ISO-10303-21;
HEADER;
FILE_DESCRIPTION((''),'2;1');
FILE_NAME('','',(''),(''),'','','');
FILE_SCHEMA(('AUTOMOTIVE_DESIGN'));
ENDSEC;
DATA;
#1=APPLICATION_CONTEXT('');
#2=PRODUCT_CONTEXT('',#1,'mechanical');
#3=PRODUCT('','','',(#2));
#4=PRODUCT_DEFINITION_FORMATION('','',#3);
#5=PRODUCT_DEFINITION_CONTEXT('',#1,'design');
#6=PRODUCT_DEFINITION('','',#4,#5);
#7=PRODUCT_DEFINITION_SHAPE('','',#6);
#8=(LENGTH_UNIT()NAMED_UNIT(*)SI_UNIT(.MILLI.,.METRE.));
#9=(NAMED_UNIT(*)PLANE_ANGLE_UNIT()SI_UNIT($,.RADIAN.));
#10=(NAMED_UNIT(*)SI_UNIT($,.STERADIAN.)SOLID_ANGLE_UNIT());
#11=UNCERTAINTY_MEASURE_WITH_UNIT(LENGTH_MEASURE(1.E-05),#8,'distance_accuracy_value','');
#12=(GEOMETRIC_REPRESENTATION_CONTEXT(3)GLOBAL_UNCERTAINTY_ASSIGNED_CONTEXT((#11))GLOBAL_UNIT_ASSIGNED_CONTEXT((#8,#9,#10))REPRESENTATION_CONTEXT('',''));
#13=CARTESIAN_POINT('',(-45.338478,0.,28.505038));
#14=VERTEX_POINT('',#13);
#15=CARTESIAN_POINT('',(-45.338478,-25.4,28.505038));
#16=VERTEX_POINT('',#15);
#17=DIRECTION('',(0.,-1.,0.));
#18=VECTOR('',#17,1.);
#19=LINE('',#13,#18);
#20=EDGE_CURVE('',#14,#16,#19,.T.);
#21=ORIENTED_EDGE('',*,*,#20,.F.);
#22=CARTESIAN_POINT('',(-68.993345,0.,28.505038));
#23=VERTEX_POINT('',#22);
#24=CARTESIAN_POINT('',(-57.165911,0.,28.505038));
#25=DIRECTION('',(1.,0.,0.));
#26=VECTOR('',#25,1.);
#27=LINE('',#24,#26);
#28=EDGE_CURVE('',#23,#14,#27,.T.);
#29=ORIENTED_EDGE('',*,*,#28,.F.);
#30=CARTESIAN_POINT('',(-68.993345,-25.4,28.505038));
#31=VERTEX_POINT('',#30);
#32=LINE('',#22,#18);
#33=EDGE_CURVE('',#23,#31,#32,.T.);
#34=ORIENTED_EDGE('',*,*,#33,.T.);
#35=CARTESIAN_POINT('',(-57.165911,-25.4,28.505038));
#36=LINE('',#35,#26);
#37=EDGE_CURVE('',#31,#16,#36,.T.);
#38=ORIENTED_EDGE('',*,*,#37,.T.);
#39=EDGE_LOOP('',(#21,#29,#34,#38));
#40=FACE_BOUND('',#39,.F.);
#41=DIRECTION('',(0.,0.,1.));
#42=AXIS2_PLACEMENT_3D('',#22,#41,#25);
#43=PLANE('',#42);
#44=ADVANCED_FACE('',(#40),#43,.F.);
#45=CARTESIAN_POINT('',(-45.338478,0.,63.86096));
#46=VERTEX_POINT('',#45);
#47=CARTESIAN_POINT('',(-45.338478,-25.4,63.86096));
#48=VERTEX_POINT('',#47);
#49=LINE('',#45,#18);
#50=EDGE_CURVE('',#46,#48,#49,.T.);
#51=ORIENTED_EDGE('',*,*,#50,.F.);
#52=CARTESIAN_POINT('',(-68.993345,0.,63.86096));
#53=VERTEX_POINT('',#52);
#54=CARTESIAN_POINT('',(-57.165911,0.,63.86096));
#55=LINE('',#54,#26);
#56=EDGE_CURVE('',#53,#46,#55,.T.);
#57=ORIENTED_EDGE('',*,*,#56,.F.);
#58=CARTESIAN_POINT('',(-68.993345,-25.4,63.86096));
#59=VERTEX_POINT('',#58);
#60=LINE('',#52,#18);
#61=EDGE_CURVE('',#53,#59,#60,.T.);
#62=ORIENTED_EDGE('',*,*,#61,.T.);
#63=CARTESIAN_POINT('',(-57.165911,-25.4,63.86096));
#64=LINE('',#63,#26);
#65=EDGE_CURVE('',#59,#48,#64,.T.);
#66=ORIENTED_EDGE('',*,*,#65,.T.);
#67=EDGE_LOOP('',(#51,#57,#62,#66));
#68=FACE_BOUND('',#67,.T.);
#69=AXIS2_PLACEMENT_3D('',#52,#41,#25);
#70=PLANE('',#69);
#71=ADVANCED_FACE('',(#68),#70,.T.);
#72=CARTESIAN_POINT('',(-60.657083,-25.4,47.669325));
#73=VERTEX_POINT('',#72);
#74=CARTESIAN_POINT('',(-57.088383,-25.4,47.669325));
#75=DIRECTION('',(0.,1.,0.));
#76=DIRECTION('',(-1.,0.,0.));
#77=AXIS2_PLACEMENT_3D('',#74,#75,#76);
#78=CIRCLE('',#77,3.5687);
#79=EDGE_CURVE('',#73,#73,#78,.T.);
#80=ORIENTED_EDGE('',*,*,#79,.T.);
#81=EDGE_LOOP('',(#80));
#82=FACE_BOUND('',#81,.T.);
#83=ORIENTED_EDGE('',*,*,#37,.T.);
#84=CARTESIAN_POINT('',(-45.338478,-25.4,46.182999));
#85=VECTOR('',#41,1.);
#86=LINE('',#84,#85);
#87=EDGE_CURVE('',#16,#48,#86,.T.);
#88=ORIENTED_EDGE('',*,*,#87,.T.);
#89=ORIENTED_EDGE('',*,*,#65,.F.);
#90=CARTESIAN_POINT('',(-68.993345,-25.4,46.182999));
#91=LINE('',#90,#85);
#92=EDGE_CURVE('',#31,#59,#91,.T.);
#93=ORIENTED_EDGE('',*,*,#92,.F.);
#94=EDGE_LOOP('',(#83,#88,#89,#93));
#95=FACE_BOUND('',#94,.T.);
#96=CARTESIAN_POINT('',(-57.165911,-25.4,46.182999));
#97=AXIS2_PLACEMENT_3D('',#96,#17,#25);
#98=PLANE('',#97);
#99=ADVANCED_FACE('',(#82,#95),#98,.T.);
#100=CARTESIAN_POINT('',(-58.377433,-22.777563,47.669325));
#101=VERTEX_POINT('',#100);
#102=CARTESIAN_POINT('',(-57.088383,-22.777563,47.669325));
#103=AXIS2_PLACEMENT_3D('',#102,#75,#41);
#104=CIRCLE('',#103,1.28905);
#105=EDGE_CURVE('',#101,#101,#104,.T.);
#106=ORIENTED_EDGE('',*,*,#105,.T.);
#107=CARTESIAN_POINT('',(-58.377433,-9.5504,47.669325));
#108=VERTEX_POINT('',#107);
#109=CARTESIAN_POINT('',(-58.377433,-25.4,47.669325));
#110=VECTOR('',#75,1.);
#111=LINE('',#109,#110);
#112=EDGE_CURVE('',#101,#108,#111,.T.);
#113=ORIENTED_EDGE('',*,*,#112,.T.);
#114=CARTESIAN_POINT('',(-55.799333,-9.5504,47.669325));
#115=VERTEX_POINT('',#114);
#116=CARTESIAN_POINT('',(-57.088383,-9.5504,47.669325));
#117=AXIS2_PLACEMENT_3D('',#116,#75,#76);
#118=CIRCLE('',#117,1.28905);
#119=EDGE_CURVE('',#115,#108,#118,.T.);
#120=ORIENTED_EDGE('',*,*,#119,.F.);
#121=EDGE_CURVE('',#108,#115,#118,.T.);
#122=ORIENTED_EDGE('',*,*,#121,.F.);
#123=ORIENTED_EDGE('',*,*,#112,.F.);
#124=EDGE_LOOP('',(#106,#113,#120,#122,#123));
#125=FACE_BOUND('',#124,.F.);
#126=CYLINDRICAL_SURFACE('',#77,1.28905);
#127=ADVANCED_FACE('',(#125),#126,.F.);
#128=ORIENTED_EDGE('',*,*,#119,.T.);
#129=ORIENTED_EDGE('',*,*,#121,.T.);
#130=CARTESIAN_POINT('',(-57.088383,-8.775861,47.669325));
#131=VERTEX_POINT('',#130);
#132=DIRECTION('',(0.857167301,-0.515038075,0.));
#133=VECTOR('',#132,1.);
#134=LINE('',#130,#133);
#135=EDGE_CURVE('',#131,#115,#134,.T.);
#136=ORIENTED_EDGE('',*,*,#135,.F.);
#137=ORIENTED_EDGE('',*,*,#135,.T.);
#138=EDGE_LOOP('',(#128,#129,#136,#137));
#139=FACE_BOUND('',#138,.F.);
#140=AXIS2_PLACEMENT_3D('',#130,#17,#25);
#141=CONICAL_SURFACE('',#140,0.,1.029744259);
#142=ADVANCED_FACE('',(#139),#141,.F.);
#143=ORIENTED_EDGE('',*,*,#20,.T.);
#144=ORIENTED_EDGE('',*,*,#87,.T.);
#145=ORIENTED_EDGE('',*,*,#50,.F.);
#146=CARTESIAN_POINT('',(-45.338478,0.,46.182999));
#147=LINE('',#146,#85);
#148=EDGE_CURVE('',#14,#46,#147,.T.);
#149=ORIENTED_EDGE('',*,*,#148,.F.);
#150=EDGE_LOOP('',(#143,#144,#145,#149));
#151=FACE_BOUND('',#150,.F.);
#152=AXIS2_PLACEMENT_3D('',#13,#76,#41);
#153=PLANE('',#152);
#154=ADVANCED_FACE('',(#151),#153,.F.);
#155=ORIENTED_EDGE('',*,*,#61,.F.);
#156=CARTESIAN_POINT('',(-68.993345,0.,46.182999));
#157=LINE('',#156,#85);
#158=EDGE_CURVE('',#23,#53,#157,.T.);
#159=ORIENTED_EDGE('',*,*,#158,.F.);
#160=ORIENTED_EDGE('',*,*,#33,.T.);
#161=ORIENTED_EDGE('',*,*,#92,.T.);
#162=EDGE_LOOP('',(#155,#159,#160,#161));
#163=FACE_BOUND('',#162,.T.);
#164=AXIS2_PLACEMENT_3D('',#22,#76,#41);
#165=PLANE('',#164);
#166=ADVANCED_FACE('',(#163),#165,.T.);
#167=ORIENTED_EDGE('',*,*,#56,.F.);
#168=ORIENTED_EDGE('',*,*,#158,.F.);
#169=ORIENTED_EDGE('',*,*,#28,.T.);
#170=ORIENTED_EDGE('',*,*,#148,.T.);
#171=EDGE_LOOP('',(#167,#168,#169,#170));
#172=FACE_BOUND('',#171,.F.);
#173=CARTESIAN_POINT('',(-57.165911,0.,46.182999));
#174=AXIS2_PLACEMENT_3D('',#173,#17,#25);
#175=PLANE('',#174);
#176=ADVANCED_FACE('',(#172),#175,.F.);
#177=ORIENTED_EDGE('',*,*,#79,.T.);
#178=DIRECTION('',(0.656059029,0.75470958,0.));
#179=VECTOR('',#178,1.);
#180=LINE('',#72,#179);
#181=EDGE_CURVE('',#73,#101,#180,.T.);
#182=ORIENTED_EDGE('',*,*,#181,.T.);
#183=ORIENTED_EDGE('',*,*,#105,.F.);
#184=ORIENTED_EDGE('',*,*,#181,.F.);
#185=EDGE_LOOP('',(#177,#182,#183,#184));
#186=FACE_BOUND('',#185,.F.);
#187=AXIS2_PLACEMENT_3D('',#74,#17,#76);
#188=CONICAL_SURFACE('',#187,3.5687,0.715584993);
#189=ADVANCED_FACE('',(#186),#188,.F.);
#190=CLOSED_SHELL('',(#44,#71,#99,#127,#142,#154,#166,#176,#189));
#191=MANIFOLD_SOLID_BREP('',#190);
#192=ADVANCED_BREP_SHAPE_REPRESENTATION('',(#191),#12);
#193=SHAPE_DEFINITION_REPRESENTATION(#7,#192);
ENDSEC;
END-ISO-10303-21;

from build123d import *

# Parameters (mm, degrees)
F0_W           = 23.6548669636
F0_H           = 35.3559218347
F1_DEPTH       = 25.4
F3_D           = 2.5781
F3_DEPTH       = 15.8496
F3_CSINK_D     = 7.1374
F3_CSINK_ANGLE = 82
F3_TIP         = 0.774539381


with BuildPart() as f1:
    # F0 (on Front) → F1 (new body)
    with BuildSketch(Plane.XZ):
        with Locations((-57.1659114212, 46.1829993874)):
            Rectangle(F0_W, F0_H)
    extrude(amount=F1_DEPTH)

    # F3
    with Locations(Plane.XZ.offset(25.4)):
        with Locations((-57.0883825421, 47.6693250239)):
            CounterSinkHole(F3_D / 2, F3_CSINK_D / 2, depth=F3_DEPTH, counter_sink_angle=F3_CSINK_ANGLE)
            with Locations((0, 0, -(F3_DEPTH + F3_TIP / 2))):  # 118° drill point
                Cone(0, F3_D / 2, F3_TIP, mode=Mode.SUBTRACT)


solid = f1.part
